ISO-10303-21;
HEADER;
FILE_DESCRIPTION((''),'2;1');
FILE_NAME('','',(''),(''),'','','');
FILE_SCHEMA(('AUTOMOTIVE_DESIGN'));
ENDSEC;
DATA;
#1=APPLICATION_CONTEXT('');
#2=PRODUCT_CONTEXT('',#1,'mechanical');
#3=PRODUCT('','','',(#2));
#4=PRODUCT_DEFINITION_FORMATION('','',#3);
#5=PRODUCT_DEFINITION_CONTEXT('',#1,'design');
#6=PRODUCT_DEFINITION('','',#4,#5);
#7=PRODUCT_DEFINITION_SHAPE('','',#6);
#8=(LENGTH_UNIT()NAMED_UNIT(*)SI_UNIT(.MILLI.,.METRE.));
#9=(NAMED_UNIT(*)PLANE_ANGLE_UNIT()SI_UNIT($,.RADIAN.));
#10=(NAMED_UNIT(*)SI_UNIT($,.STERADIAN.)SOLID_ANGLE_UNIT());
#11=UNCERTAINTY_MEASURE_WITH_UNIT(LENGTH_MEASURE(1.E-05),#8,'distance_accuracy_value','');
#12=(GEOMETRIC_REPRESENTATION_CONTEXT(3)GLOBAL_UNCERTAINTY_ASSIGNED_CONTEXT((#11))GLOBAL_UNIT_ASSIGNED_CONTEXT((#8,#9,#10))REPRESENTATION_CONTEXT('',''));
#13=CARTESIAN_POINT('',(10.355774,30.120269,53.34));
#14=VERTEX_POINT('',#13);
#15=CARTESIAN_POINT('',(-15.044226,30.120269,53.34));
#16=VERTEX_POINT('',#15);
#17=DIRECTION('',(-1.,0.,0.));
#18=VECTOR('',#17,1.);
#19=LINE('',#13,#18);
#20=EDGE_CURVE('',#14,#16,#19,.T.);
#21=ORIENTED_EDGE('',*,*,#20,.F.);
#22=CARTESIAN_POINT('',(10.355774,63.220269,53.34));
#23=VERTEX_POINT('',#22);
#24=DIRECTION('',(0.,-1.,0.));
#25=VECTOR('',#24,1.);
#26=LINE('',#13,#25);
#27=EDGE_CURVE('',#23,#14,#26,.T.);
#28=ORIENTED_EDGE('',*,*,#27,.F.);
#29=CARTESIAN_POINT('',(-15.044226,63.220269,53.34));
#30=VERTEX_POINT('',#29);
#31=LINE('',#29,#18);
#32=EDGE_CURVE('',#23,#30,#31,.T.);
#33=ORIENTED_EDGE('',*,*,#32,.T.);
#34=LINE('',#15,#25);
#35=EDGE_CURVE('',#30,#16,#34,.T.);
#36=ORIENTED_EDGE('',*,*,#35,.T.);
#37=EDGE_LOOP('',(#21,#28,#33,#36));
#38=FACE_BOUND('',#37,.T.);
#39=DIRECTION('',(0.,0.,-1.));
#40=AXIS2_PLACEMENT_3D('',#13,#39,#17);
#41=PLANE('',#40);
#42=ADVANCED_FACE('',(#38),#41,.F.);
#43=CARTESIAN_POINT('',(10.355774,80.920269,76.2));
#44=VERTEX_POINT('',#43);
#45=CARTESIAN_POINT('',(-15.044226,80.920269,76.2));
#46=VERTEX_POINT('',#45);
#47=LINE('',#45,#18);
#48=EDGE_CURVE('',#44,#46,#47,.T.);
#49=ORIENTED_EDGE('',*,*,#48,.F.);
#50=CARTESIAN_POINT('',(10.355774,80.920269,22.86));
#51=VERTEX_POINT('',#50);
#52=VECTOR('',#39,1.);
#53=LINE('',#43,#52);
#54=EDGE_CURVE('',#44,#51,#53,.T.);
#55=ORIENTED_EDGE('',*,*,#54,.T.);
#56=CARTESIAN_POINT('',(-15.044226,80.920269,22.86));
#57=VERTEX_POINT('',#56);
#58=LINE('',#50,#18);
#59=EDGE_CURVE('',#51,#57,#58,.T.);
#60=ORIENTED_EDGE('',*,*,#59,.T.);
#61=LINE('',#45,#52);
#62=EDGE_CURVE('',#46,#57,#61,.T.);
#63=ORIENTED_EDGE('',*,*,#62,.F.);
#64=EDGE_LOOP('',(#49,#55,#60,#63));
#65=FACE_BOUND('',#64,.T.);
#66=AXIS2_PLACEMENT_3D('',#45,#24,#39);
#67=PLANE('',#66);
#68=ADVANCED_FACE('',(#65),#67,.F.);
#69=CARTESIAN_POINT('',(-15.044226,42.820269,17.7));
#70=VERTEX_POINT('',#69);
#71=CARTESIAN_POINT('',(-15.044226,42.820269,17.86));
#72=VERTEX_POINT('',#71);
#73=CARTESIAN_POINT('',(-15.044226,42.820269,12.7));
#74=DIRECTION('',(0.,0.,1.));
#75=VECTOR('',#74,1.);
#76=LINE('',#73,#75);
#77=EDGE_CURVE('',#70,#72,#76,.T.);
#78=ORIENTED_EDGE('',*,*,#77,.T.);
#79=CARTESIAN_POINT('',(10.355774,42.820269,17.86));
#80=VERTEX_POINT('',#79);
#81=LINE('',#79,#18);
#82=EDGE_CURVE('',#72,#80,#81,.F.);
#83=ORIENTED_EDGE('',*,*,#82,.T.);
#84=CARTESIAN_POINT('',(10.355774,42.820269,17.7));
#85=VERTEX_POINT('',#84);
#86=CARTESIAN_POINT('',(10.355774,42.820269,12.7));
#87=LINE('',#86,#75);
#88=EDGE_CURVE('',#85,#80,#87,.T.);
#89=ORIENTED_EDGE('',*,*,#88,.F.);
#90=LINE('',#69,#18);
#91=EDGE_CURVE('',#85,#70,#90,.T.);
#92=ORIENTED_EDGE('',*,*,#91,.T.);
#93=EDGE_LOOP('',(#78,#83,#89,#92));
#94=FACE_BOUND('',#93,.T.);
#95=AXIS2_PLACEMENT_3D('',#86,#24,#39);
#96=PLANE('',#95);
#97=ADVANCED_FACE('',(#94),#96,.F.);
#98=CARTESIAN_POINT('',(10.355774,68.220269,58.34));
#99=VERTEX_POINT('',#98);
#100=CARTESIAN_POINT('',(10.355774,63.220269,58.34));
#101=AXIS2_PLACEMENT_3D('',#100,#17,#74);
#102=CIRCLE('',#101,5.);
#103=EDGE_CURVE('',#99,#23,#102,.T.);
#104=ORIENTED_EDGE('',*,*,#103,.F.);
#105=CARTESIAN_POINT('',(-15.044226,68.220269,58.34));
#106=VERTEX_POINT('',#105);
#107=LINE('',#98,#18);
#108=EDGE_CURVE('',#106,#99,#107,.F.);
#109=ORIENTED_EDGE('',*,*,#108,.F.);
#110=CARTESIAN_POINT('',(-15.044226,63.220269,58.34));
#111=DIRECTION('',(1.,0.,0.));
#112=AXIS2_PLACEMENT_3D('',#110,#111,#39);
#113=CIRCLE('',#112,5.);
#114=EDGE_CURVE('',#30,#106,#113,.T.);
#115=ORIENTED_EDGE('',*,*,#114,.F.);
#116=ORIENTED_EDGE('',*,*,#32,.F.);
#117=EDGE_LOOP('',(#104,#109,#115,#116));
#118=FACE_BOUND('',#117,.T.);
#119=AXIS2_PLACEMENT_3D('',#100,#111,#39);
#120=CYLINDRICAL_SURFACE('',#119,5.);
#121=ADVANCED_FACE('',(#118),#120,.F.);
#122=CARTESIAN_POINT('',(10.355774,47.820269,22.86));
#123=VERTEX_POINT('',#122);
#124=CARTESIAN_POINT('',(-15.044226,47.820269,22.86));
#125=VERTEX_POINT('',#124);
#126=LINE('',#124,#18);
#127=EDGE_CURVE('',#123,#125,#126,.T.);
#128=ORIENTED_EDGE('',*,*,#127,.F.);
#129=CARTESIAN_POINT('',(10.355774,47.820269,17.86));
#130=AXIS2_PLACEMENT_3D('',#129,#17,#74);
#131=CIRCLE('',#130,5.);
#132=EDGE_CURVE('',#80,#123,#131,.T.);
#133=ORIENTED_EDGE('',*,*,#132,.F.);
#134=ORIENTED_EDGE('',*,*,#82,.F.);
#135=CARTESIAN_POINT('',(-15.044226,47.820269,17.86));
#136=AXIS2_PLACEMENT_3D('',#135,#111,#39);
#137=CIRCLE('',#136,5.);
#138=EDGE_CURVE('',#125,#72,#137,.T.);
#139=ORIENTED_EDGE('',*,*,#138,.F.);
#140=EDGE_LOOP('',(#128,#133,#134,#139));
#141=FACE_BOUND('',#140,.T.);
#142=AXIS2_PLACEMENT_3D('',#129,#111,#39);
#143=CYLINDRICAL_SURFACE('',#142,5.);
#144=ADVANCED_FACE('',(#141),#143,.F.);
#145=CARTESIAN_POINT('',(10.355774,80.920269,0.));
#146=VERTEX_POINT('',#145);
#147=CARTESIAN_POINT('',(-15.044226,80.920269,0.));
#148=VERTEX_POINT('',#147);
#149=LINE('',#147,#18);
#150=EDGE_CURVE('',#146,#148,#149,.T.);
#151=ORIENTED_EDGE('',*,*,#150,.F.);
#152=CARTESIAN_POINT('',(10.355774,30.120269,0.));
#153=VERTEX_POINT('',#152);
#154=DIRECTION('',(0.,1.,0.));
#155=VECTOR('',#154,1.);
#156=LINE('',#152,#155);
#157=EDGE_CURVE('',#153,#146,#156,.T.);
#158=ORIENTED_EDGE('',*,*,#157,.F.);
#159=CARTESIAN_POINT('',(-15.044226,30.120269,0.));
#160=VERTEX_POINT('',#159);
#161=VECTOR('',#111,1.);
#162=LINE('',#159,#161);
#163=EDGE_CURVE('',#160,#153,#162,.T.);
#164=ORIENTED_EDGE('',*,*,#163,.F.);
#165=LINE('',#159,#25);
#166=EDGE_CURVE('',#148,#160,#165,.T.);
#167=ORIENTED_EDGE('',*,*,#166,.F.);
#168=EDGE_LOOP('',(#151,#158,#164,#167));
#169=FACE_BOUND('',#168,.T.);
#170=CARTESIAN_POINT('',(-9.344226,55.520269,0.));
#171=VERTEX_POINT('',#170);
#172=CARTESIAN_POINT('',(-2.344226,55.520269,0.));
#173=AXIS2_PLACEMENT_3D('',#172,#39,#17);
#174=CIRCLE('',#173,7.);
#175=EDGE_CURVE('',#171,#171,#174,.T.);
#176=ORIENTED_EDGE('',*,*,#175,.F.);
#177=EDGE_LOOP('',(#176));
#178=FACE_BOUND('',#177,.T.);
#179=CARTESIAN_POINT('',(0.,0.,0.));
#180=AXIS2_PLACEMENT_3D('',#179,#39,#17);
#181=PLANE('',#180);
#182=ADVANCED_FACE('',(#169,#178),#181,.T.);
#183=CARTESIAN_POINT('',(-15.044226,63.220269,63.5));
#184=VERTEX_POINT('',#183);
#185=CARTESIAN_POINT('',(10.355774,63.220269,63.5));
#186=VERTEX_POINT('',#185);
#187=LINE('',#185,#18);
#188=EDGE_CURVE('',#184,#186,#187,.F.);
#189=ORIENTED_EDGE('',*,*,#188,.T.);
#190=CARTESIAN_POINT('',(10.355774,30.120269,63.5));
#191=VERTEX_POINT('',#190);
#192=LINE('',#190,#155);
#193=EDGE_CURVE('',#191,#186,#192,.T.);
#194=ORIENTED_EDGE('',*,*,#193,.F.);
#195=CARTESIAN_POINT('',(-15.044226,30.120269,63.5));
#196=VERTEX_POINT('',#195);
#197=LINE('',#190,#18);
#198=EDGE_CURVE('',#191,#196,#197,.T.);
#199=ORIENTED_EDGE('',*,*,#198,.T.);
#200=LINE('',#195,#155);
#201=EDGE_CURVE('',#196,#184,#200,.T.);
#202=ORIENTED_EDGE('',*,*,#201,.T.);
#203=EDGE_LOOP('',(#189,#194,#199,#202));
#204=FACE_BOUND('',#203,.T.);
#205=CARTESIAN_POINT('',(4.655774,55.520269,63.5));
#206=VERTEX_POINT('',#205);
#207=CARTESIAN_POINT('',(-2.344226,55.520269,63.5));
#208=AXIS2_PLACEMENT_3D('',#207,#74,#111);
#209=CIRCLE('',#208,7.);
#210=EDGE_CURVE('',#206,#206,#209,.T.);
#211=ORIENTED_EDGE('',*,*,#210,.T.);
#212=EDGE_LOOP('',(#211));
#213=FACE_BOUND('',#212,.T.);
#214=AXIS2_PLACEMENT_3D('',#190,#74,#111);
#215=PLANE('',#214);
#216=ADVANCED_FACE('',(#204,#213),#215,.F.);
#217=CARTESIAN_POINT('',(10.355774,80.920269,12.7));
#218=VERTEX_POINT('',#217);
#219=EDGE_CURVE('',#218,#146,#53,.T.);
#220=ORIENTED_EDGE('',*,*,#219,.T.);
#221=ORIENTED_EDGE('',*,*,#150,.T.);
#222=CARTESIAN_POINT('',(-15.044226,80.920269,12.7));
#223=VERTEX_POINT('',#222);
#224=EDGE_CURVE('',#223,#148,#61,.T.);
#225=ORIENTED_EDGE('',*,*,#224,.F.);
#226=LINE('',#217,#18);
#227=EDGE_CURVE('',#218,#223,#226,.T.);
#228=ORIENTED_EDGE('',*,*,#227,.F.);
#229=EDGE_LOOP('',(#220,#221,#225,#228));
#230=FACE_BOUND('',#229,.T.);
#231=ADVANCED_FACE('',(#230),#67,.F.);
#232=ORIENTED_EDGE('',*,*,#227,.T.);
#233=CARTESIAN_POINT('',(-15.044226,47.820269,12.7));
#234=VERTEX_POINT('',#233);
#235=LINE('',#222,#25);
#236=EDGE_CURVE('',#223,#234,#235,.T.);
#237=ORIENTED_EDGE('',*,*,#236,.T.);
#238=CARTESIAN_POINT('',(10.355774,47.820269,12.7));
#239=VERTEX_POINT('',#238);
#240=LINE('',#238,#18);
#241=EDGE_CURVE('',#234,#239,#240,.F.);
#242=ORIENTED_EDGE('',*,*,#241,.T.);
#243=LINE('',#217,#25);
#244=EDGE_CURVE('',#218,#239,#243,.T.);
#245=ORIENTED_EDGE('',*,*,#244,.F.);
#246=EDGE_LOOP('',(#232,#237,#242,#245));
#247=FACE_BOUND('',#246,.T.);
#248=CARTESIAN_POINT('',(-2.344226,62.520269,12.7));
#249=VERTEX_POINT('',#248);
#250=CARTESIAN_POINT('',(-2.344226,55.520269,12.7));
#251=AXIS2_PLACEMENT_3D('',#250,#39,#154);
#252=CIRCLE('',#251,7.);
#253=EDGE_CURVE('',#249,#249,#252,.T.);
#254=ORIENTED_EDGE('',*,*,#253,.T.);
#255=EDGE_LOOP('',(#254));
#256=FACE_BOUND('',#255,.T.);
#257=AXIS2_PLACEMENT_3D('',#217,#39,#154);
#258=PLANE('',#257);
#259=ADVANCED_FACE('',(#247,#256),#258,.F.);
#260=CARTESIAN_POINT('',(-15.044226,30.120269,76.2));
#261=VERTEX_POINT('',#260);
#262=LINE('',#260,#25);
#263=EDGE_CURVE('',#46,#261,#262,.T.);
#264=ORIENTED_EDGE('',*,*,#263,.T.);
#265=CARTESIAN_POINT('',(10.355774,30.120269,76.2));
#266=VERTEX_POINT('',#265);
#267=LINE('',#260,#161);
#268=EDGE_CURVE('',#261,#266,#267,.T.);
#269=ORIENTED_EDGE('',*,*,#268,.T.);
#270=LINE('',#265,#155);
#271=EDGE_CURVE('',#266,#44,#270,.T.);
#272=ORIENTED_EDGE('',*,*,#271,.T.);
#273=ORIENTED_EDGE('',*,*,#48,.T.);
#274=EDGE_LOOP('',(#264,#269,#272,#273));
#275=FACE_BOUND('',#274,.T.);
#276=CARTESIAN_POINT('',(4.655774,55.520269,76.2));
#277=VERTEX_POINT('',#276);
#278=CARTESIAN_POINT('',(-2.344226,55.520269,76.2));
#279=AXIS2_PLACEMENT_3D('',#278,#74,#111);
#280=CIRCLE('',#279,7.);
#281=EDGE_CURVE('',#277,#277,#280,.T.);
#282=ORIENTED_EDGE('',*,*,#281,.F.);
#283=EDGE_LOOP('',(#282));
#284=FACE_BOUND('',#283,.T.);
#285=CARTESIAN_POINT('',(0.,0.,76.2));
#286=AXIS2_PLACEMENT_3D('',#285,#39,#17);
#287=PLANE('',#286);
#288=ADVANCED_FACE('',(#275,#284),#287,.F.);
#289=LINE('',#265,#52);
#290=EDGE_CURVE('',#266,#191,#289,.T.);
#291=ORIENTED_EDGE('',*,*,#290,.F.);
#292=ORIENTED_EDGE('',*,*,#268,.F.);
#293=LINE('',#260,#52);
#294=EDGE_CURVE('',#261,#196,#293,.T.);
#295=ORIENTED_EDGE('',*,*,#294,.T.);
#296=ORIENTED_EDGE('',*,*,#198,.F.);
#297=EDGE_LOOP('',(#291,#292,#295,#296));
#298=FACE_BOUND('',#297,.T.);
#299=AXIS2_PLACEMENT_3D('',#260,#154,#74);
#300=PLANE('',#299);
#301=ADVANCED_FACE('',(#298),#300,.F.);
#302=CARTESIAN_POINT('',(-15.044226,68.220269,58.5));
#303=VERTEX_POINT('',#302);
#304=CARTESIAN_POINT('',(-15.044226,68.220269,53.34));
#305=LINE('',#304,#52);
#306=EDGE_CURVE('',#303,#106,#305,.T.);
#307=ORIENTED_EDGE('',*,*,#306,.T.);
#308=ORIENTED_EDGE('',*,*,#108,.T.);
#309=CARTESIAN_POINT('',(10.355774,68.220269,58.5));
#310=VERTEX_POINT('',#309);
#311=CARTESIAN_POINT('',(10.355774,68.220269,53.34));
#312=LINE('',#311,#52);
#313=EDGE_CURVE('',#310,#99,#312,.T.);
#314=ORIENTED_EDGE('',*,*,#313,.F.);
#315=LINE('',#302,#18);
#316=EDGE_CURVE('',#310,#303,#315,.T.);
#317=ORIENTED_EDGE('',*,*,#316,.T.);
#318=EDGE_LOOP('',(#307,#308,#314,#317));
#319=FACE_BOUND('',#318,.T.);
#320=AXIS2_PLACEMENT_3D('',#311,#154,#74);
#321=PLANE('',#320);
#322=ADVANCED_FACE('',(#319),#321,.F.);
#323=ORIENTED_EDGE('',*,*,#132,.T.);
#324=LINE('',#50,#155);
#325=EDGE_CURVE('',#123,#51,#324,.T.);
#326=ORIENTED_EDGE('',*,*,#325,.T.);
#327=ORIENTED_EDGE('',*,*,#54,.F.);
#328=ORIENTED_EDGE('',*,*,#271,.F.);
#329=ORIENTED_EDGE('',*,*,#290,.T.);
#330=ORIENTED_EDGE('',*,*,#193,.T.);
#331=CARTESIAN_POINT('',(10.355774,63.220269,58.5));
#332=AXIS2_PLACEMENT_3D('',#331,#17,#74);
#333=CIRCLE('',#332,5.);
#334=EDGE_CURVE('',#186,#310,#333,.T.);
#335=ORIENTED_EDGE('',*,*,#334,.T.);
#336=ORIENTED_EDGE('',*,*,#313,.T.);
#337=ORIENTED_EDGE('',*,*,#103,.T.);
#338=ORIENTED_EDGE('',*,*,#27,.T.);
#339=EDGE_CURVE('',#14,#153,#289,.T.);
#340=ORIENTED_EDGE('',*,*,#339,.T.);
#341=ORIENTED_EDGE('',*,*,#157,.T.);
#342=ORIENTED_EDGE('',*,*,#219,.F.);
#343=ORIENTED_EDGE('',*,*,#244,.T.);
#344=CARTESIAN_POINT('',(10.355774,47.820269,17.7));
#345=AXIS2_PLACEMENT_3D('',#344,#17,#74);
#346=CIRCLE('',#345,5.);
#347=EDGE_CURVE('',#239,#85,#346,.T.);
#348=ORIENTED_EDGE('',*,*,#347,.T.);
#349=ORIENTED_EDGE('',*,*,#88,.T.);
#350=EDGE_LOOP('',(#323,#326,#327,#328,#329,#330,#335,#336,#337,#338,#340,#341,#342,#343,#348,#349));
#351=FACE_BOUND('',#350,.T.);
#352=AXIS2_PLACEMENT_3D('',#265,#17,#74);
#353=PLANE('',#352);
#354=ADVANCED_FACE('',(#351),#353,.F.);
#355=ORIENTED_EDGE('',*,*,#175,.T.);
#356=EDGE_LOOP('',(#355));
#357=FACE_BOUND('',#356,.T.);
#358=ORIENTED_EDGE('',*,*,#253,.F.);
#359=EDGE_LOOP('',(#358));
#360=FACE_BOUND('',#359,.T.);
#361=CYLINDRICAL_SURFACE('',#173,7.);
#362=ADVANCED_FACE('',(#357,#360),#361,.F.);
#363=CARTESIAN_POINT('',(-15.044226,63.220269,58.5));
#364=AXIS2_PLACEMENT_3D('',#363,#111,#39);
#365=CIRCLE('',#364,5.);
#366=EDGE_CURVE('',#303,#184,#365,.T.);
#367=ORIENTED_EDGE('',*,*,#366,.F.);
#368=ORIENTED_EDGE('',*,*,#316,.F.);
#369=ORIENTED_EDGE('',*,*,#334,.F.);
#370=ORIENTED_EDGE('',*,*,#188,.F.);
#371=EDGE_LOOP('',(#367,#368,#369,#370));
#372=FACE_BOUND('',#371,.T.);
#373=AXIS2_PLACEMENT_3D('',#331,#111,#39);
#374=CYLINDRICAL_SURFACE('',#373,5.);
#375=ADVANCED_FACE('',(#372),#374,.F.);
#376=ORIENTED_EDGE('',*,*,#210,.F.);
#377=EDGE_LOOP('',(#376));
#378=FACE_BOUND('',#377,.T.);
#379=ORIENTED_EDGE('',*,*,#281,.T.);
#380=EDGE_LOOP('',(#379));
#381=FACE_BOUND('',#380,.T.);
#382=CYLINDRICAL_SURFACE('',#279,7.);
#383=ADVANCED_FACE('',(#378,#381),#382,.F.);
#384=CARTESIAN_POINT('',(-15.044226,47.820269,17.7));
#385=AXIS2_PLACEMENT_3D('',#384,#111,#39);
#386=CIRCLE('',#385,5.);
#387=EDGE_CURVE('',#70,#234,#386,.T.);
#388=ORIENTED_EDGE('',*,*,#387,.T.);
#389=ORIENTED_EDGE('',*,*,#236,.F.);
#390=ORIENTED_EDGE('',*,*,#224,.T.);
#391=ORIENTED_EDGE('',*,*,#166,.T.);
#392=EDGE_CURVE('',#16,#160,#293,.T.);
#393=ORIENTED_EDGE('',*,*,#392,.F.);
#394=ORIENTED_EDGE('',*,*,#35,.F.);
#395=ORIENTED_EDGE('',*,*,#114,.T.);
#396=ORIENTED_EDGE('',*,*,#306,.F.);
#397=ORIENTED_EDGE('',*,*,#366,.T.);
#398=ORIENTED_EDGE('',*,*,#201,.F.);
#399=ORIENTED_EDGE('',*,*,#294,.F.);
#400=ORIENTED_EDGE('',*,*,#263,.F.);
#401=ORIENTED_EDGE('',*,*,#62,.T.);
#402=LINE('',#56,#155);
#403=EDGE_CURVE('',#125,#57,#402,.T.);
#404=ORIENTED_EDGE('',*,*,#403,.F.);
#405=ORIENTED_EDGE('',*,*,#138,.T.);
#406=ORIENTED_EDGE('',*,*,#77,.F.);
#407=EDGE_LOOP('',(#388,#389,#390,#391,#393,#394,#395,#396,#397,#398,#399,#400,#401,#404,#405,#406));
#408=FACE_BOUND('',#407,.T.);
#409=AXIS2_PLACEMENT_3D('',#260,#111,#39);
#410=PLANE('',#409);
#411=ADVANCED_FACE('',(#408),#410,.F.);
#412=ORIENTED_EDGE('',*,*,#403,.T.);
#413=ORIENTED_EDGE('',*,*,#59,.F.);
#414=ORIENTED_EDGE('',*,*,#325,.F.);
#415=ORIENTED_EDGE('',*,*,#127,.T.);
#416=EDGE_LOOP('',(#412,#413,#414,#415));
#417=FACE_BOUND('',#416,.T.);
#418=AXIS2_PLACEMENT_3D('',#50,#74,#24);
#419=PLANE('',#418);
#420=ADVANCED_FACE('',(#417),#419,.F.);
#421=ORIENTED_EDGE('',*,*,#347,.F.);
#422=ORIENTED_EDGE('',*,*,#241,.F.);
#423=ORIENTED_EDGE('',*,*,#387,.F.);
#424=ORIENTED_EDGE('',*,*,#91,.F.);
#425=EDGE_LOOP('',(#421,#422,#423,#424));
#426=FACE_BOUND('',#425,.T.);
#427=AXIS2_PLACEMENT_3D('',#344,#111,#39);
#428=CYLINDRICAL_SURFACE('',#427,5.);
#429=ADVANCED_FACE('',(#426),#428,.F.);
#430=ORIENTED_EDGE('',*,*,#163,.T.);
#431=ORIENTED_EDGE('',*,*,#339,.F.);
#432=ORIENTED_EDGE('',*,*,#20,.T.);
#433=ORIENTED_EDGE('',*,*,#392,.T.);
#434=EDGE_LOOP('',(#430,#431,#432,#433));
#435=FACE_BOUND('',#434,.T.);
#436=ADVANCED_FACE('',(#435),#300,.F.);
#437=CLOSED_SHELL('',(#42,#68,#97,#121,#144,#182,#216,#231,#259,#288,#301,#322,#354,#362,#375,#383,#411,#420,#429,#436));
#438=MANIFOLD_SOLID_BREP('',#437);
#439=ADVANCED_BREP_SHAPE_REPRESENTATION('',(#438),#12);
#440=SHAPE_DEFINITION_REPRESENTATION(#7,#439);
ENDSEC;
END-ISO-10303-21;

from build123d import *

# Parameters (mm, degrees)
SKETCH1_W                        = 25.4
SKETCH1_H                        = 50.8
BOSS_EXTRUDE1_DEPTH              = 76.2
SKETCH2_W                        = 10.16
SKETCH2_H                        = 38.1
CUT_EXTRUDE1_DEPTH               = 115.016182683
TAP_DRILL_FOR_M16X2_0_TAP2_D     = 14
TAP_DRILL_FOR_M16X2_0_TAP2_DEPTH = 12.7
TAP_DRILL_FOR_M16X2_0_TAP1_D     = 14
TAP_DRILL_FOR_M16X2_0_TAP1_DEPTH = 12.7
FILLET1_R                        = 5


with BuildPart() as part:
    # Sketch1 → Boss-Extrude1 (new body)
    with BuildSketch(Plane.XY):
        with Locations((-2.344226023, 55.520268868)):
            Rectangle(SKETCH1_W, SKETCH1_H)
    extrude(amount=BOSS_EXTRUDE1_DEPTH)

    # Sketch2 → Cut-Extrude1 (cut, through all)
    with BuildSketch(Plane.ZY.offset(15.044226023)):
        with Locations((17.78, 61.870268868)):
            Rectangle(SKETCH2_W, SKETCH2_H)
        with Locations((58.42, 49.170268868)):
            Rectangle(SKETCH2_W, SKETCH2_H)
    extrude(amount=-CUT_EXTRUDE1_DEPTH, mode=Mode.SUBTRACT)

    # Tap Drill for M16x2.0 Tap2
    with Locations(Plane(origin=(0, 0, 0), x_dir=(-1, 0, 0), z_dir=(0, 0, -1))):
        with Locations((2.344226023, 55.520268868)):
            Hole(TAP_DRILL_FOR_M16X2_0_TAP2_D / 2, depth=TAP_DRILL_FOR_M16X2_0_TAP2_DEPTH)

    # Tap Drill for M16x2.0 Tap1
    with Locations(Plane.XY.offset(76.2)):
        with Locations((-2.344226023, 55.520268868)):
            Hole(TAP_DRILL_FOR_M16X2_0_TAP1_D / 2, depth=TAP_DRILL_FOR_M16X2_0_TAP1_DEPTH)

    # Fillet1
    fillet1_edges = [part.edges().sort_by_distance(p)[0] for p in [
        (-2.344226023, 42.820268868, 12.7),
        (-2.344226023, 42.820268868, 22.86),
        (-2.344226023, 68.220268868, 53.34),
        (-2.344226023, 68.220268868, 63.5),
    ]]
    fillet(fillet1_edges, radius=FILLET1_R)


solid = part.part
